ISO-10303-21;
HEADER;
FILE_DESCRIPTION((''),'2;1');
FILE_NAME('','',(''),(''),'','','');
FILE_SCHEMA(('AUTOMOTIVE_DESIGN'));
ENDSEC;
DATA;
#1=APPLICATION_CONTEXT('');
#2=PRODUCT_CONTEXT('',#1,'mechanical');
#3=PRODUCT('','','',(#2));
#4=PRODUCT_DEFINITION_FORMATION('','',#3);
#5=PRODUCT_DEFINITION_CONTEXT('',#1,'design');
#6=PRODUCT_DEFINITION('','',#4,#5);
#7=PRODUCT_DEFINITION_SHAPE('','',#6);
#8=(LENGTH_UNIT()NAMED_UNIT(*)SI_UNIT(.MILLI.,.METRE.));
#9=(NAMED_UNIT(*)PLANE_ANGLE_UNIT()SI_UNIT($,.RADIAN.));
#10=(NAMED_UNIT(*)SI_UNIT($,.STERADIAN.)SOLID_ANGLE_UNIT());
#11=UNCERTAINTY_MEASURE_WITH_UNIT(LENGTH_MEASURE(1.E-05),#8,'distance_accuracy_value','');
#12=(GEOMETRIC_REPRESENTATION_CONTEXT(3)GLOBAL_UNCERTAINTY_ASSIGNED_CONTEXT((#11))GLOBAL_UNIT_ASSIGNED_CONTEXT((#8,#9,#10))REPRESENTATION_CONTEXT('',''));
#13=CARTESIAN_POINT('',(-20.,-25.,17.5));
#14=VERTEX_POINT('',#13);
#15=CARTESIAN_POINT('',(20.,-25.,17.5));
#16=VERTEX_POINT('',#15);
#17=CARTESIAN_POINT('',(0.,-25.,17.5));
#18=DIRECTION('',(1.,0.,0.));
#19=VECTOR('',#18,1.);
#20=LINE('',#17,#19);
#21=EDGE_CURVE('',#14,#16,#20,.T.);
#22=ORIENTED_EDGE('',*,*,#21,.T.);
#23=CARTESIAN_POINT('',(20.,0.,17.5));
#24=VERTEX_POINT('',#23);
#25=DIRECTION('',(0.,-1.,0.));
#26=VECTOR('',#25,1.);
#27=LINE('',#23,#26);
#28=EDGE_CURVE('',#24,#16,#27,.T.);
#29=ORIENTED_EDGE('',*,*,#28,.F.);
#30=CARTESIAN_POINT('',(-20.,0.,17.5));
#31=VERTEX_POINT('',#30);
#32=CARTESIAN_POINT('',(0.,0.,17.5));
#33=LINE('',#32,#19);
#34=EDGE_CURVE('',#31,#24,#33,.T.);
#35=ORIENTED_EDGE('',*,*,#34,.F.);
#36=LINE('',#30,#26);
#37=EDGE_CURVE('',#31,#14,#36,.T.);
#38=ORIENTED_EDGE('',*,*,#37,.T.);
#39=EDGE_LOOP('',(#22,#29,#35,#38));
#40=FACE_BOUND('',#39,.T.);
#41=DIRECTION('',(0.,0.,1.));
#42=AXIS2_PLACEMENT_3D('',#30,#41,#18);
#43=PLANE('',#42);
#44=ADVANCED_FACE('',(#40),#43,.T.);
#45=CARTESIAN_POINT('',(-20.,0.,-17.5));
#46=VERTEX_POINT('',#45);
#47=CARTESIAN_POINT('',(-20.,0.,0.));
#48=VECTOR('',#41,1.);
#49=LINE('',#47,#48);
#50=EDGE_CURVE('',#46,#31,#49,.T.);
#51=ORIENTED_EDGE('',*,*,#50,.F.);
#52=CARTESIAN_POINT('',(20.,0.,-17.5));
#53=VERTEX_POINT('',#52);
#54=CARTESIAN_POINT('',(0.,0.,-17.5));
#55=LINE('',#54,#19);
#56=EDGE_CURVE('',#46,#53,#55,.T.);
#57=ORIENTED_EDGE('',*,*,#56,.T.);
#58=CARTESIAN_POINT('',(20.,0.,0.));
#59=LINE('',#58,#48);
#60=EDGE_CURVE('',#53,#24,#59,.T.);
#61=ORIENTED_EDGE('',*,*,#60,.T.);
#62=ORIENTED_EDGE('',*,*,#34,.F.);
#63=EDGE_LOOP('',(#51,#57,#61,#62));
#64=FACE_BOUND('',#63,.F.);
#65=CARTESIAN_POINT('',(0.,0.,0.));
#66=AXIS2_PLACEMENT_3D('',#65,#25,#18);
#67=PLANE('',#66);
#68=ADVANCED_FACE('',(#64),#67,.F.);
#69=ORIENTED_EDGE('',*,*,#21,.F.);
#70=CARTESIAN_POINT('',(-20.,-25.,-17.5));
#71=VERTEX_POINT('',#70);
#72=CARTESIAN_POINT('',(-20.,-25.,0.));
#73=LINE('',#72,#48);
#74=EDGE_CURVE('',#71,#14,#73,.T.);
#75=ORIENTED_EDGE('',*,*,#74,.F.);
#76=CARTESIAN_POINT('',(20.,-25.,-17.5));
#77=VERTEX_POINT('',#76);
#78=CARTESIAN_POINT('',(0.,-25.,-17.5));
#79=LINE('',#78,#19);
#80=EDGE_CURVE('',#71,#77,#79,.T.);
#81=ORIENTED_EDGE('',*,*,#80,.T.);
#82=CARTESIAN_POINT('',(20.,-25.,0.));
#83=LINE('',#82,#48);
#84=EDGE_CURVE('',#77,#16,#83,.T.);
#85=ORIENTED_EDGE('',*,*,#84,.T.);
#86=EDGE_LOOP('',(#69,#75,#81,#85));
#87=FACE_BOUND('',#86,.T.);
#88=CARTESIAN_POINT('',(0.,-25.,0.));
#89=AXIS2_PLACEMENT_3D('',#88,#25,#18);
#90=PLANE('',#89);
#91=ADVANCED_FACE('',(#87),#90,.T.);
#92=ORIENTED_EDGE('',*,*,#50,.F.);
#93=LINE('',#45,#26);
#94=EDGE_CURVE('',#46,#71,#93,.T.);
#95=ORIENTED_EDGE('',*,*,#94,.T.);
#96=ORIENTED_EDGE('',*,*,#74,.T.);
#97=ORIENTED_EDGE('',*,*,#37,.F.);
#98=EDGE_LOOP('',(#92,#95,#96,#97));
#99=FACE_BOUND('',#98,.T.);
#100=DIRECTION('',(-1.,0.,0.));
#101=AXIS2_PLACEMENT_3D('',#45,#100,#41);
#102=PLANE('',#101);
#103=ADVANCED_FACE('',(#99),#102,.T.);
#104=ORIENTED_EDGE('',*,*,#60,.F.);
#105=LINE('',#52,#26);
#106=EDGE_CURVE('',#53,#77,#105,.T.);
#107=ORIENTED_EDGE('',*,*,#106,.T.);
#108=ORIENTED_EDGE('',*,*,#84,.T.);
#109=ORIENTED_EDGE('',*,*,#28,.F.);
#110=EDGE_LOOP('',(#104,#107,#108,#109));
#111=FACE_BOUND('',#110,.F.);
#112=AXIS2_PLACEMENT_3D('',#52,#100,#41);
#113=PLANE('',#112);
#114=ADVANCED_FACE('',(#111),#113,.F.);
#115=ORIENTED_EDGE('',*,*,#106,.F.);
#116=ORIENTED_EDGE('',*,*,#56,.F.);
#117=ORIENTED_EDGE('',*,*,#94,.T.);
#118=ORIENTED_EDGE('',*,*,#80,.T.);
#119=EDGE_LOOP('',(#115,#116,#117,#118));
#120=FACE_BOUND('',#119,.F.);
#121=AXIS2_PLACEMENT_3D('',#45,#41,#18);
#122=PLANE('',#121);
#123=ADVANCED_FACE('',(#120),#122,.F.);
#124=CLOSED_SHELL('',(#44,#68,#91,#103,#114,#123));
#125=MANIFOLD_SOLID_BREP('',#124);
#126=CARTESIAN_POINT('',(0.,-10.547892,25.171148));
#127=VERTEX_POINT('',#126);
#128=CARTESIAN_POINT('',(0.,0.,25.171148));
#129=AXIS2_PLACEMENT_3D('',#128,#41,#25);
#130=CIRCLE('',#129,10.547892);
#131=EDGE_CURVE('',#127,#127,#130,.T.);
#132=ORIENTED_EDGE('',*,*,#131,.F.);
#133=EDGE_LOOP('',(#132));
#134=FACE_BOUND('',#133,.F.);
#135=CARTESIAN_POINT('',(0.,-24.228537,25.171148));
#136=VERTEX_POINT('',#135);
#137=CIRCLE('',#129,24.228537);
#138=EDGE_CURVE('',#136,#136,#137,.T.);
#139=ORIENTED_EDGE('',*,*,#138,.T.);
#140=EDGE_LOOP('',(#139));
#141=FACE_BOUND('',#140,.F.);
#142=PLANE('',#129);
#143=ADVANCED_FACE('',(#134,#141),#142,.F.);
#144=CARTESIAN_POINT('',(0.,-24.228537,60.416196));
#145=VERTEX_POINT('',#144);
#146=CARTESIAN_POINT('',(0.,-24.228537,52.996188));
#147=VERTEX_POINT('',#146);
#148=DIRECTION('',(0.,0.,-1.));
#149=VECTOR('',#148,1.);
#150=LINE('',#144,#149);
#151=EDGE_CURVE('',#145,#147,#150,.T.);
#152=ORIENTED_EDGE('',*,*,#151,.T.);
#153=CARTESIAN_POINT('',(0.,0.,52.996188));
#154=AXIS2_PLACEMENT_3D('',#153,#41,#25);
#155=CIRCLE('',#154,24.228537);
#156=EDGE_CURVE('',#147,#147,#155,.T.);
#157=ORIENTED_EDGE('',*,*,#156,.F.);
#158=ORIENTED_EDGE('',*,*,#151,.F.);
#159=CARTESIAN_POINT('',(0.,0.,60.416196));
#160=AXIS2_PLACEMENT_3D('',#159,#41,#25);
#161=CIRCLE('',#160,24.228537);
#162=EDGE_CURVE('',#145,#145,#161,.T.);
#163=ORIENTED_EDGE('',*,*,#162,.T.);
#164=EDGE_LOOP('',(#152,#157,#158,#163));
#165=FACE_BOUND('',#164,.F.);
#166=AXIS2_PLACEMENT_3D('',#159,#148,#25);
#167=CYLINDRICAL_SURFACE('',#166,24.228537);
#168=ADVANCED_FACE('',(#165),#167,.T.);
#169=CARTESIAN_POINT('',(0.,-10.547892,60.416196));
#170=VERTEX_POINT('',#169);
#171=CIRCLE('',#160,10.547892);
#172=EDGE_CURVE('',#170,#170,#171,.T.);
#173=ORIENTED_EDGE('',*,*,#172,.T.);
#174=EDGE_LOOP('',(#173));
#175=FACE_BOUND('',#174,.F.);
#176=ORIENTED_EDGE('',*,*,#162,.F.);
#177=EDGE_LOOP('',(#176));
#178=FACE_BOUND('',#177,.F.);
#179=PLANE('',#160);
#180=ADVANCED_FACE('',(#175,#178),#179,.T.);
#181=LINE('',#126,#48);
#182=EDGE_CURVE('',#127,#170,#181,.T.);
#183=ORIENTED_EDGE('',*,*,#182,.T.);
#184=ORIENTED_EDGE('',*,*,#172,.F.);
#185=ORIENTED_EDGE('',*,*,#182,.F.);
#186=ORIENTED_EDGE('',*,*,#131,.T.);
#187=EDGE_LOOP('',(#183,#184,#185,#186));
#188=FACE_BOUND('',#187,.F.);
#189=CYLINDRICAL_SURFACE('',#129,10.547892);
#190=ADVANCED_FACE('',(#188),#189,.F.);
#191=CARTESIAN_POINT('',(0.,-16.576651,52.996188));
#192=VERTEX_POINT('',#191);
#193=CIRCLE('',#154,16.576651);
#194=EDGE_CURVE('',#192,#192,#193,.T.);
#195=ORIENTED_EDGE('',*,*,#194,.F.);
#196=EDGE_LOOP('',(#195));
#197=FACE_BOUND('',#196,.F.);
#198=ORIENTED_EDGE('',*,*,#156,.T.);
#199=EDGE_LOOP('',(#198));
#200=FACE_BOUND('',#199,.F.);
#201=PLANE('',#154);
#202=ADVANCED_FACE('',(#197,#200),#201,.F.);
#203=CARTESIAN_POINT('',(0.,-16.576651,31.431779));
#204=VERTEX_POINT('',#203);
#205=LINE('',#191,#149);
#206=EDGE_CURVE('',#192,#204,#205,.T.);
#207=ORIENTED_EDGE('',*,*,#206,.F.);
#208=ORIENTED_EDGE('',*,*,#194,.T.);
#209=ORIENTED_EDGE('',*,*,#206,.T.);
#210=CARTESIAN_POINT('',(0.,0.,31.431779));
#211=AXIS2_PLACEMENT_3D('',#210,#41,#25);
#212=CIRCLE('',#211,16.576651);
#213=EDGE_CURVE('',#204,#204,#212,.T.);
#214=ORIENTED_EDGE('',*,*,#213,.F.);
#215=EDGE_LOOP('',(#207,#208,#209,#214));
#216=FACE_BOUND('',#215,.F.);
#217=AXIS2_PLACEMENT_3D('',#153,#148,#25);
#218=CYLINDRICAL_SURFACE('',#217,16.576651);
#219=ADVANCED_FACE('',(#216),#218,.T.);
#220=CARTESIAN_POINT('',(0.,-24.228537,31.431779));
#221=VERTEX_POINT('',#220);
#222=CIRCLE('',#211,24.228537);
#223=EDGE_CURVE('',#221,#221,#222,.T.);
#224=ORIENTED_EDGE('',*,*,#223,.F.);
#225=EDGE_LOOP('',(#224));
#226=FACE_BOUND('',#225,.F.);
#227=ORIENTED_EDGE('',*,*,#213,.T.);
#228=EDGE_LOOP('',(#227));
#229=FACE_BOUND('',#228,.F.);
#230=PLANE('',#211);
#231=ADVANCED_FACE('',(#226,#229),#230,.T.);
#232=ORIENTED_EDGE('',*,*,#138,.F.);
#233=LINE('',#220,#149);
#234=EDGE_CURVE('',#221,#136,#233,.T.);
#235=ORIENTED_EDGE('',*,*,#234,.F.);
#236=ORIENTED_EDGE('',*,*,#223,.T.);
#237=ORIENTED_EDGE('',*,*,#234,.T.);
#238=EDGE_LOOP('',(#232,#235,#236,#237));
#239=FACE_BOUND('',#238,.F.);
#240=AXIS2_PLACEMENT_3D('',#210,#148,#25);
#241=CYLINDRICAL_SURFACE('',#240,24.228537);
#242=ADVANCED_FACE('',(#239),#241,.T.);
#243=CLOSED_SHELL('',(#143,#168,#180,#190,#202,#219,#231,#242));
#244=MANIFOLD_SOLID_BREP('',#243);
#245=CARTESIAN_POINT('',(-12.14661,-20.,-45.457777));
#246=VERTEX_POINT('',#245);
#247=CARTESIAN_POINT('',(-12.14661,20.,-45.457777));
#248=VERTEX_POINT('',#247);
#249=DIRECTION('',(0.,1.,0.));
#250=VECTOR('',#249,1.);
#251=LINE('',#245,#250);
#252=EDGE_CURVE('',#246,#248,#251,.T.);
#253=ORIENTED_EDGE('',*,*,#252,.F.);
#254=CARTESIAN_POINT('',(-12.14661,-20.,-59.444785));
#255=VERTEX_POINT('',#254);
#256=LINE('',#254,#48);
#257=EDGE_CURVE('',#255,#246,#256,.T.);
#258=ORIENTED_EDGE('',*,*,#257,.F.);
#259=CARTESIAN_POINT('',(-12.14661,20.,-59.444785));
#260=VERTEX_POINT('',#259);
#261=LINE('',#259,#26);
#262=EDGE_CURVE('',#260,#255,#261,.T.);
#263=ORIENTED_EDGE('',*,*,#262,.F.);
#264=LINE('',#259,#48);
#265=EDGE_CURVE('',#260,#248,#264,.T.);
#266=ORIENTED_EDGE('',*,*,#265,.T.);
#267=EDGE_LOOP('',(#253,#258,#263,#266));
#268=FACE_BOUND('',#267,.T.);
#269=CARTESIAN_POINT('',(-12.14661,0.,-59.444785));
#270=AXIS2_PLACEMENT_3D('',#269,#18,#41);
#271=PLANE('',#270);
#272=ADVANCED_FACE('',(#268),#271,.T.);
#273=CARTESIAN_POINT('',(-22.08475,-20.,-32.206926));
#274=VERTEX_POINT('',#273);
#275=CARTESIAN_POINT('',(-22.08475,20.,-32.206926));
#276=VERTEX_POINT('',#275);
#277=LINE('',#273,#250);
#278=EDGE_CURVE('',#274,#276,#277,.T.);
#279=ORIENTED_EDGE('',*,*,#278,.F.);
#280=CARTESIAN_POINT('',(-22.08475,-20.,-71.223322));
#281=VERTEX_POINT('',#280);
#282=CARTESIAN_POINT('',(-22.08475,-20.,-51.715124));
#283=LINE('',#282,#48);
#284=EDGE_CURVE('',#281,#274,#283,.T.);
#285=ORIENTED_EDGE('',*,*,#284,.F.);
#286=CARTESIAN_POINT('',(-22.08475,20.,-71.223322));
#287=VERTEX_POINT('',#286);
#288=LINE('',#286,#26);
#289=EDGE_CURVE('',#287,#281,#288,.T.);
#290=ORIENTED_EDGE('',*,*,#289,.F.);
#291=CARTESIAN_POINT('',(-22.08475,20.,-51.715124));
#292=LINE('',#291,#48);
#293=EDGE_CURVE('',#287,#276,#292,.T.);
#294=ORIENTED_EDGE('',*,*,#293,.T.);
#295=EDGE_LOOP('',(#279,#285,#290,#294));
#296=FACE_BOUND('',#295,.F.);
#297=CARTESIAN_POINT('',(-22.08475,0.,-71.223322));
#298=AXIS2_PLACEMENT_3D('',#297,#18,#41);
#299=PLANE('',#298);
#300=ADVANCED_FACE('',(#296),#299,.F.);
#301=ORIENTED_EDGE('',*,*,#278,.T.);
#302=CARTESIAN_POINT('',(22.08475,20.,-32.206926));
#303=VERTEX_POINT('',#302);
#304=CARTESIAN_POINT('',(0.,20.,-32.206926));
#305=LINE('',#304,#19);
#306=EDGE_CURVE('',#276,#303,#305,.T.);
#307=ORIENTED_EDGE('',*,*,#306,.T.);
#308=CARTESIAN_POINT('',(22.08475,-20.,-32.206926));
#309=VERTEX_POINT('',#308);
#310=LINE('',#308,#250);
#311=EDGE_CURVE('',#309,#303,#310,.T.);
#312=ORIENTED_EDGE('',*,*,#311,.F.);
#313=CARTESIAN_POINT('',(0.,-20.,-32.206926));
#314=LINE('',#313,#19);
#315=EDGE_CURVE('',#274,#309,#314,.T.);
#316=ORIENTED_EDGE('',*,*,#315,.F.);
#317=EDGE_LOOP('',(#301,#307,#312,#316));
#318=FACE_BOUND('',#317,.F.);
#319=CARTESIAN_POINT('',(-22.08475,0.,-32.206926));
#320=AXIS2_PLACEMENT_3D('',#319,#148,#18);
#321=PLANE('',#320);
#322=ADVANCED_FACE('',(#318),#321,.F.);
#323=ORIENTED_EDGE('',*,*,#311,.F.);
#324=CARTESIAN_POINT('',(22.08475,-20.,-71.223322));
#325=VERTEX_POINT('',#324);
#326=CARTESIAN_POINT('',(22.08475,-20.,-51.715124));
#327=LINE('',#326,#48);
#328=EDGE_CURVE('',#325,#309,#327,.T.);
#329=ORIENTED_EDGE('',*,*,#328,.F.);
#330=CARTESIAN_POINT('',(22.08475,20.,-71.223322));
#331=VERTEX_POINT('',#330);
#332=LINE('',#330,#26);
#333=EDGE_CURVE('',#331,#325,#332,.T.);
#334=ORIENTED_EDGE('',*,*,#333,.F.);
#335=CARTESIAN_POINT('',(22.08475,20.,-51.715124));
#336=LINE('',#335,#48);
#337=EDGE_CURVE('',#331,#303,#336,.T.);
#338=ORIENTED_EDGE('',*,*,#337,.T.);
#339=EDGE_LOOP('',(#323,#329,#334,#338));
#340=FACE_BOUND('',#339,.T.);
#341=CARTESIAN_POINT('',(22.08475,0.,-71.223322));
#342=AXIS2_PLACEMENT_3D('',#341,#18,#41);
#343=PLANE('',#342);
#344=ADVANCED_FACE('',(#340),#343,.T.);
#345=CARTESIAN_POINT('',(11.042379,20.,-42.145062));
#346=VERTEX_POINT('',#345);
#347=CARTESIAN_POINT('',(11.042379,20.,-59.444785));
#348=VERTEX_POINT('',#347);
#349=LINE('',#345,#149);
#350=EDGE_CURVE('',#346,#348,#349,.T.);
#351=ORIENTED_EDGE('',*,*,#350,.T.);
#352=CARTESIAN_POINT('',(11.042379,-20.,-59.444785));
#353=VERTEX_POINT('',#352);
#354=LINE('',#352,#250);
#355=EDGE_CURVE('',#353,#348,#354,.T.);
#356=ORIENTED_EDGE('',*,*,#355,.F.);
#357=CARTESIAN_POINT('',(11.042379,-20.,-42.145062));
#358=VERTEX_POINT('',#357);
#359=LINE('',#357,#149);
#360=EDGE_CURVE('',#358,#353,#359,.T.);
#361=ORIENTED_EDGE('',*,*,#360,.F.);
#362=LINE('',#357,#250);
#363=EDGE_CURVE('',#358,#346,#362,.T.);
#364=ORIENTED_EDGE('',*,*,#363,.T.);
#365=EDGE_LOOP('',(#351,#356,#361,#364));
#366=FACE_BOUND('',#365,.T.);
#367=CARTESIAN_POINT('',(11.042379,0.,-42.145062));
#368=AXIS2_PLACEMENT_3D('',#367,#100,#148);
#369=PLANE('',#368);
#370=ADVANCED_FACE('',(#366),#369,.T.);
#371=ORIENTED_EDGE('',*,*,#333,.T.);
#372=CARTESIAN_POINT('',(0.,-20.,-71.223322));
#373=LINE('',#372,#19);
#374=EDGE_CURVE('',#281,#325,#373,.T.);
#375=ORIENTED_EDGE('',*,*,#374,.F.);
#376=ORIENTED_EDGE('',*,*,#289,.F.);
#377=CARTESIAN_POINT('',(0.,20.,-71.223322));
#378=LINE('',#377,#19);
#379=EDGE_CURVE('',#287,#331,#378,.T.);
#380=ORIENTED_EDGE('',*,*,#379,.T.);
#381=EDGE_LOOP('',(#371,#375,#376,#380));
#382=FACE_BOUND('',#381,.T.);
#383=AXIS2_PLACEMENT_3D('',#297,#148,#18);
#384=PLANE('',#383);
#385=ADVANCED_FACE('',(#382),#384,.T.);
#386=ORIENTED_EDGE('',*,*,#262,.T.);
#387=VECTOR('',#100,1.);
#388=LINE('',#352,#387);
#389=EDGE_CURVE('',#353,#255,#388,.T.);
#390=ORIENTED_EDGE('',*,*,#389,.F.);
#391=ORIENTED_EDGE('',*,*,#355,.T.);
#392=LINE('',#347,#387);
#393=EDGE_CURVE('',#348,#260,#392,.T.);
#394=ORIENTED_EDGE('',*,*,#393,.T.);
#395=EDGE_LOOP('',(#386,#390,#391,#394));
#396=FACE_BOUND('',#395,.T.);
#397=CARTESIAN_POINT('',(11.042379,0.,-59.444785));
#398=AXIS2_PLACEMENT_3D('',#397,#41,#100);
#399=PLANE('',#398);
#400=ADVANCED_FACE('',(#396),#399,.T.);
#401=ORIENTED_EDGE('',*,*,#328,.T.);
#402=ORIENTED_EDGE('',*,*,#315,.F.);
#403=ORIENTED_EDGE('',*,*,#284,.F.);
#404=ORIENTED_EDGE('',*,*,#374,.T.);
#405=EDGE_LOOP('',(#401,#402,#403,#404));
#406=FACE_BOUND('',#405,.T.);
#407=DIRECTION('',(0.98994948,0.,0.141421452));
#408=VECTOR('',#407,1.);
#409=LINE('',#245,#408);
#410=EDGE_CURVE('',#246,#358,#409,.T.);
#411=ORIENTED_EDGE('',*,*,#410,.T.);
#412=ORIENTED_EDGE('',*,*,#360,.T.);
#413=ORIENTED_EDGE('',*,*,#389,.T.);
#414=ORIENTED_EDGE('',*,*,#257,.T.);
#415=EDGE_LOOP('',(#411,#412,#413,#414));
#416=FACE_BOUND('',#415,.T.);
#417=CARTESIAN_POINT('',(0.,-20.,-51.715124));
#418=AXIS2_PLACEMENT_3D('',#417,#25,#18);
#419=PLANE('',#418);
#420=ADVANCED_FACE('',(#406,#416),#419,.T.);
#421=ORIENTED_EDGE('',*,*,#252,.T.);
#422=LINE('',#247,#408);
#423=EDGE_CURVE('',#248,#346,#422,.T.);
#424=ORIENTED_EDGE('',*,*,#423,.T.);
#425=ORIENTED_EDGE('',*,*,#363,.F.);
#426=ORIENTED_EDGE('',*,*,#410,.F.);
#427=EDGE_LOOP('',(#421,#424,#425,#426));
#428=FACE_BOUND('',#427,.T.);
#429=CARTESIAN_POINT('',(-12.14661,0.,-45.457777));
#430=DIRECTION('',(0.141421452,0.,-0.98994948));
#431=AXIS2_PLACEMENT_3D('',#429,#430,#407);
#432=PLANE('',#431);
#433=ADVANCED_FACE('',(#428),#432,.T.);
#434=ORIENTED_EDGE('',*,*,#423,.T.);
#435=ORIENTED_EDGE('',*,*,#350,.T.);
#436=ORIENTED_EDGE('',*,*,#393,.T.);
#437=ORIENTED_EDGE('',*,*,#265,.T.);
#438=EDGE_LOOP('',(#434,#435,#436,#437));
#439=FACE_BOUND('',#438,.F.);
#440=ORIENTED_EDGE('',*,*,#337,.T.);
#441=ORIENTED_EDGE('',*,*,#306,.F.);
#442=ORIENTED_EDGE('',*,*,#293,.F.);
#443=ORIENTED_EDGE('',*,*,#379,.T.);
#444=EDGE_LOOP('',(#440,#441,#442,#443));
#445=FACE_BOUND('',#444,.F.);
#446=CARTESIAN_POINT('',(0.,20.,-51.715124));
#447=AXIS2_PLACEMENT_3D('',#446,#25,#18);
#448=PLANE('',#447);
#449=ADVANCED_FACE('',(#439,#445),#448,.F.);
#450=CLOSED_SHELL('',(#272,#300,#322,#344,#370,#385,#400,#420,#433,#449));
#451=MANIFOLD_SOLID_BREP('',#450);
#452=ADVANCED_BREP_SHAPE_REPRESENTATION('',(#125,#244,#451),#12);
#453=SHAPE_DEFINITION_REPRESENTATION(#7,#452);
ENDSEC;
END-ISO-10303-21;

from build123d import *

# Parameters (mm, degrees)
F0_W     = 40
F0_H     = 35
F1_DEPTH = 25
F4_W     = 44.1695
F4_H     = 39.016396
F5_DEPTH = 20


with BuildPart() as f1:
    # F0 (on Front) → F1 (new body)
    with BuildSketch(Plane.XZ):
        Rectangle(F0_W, F0_H)
    extrude(amount=F1_DEPTH)


with BuildPart() as f3:
    # F2 (on Right) → F3 (revolve)
    with BuildSketch(Plane.YZ):
        Polygon((-10.547892, 60.416196), (-24.228537, 60.416196), (-24.228537, 52.996188), (-16.576651, 52.996188), (-16.576651, 31.431779), (-24.228537, 31.431779), (-24.228537, 25.171148), (-10.547892, 25.171148), align=None)
    revolve(axis=Axis((0, 0, 32.526851), (0, 0, 1)))


with BuildPart() as f5:
    # F4 (on Front) → F5 (new body, symmetric)
    with BuildSketch(Plane.XZ):
        with Locations((0, -51.715124)):
            Rectangle(F4_W, F4_H)
        Polygon((-12.14661, -59.444785), (-12.14661, -45.457777), (11.042379, -42.145062), (11.042379, -59.444785), align=None, mode=Mode.SUBTRACT)
    extrude(amount=F5_DEPTH, both=True)


solid = Compound([f1.part, f3.part, f5.part])
